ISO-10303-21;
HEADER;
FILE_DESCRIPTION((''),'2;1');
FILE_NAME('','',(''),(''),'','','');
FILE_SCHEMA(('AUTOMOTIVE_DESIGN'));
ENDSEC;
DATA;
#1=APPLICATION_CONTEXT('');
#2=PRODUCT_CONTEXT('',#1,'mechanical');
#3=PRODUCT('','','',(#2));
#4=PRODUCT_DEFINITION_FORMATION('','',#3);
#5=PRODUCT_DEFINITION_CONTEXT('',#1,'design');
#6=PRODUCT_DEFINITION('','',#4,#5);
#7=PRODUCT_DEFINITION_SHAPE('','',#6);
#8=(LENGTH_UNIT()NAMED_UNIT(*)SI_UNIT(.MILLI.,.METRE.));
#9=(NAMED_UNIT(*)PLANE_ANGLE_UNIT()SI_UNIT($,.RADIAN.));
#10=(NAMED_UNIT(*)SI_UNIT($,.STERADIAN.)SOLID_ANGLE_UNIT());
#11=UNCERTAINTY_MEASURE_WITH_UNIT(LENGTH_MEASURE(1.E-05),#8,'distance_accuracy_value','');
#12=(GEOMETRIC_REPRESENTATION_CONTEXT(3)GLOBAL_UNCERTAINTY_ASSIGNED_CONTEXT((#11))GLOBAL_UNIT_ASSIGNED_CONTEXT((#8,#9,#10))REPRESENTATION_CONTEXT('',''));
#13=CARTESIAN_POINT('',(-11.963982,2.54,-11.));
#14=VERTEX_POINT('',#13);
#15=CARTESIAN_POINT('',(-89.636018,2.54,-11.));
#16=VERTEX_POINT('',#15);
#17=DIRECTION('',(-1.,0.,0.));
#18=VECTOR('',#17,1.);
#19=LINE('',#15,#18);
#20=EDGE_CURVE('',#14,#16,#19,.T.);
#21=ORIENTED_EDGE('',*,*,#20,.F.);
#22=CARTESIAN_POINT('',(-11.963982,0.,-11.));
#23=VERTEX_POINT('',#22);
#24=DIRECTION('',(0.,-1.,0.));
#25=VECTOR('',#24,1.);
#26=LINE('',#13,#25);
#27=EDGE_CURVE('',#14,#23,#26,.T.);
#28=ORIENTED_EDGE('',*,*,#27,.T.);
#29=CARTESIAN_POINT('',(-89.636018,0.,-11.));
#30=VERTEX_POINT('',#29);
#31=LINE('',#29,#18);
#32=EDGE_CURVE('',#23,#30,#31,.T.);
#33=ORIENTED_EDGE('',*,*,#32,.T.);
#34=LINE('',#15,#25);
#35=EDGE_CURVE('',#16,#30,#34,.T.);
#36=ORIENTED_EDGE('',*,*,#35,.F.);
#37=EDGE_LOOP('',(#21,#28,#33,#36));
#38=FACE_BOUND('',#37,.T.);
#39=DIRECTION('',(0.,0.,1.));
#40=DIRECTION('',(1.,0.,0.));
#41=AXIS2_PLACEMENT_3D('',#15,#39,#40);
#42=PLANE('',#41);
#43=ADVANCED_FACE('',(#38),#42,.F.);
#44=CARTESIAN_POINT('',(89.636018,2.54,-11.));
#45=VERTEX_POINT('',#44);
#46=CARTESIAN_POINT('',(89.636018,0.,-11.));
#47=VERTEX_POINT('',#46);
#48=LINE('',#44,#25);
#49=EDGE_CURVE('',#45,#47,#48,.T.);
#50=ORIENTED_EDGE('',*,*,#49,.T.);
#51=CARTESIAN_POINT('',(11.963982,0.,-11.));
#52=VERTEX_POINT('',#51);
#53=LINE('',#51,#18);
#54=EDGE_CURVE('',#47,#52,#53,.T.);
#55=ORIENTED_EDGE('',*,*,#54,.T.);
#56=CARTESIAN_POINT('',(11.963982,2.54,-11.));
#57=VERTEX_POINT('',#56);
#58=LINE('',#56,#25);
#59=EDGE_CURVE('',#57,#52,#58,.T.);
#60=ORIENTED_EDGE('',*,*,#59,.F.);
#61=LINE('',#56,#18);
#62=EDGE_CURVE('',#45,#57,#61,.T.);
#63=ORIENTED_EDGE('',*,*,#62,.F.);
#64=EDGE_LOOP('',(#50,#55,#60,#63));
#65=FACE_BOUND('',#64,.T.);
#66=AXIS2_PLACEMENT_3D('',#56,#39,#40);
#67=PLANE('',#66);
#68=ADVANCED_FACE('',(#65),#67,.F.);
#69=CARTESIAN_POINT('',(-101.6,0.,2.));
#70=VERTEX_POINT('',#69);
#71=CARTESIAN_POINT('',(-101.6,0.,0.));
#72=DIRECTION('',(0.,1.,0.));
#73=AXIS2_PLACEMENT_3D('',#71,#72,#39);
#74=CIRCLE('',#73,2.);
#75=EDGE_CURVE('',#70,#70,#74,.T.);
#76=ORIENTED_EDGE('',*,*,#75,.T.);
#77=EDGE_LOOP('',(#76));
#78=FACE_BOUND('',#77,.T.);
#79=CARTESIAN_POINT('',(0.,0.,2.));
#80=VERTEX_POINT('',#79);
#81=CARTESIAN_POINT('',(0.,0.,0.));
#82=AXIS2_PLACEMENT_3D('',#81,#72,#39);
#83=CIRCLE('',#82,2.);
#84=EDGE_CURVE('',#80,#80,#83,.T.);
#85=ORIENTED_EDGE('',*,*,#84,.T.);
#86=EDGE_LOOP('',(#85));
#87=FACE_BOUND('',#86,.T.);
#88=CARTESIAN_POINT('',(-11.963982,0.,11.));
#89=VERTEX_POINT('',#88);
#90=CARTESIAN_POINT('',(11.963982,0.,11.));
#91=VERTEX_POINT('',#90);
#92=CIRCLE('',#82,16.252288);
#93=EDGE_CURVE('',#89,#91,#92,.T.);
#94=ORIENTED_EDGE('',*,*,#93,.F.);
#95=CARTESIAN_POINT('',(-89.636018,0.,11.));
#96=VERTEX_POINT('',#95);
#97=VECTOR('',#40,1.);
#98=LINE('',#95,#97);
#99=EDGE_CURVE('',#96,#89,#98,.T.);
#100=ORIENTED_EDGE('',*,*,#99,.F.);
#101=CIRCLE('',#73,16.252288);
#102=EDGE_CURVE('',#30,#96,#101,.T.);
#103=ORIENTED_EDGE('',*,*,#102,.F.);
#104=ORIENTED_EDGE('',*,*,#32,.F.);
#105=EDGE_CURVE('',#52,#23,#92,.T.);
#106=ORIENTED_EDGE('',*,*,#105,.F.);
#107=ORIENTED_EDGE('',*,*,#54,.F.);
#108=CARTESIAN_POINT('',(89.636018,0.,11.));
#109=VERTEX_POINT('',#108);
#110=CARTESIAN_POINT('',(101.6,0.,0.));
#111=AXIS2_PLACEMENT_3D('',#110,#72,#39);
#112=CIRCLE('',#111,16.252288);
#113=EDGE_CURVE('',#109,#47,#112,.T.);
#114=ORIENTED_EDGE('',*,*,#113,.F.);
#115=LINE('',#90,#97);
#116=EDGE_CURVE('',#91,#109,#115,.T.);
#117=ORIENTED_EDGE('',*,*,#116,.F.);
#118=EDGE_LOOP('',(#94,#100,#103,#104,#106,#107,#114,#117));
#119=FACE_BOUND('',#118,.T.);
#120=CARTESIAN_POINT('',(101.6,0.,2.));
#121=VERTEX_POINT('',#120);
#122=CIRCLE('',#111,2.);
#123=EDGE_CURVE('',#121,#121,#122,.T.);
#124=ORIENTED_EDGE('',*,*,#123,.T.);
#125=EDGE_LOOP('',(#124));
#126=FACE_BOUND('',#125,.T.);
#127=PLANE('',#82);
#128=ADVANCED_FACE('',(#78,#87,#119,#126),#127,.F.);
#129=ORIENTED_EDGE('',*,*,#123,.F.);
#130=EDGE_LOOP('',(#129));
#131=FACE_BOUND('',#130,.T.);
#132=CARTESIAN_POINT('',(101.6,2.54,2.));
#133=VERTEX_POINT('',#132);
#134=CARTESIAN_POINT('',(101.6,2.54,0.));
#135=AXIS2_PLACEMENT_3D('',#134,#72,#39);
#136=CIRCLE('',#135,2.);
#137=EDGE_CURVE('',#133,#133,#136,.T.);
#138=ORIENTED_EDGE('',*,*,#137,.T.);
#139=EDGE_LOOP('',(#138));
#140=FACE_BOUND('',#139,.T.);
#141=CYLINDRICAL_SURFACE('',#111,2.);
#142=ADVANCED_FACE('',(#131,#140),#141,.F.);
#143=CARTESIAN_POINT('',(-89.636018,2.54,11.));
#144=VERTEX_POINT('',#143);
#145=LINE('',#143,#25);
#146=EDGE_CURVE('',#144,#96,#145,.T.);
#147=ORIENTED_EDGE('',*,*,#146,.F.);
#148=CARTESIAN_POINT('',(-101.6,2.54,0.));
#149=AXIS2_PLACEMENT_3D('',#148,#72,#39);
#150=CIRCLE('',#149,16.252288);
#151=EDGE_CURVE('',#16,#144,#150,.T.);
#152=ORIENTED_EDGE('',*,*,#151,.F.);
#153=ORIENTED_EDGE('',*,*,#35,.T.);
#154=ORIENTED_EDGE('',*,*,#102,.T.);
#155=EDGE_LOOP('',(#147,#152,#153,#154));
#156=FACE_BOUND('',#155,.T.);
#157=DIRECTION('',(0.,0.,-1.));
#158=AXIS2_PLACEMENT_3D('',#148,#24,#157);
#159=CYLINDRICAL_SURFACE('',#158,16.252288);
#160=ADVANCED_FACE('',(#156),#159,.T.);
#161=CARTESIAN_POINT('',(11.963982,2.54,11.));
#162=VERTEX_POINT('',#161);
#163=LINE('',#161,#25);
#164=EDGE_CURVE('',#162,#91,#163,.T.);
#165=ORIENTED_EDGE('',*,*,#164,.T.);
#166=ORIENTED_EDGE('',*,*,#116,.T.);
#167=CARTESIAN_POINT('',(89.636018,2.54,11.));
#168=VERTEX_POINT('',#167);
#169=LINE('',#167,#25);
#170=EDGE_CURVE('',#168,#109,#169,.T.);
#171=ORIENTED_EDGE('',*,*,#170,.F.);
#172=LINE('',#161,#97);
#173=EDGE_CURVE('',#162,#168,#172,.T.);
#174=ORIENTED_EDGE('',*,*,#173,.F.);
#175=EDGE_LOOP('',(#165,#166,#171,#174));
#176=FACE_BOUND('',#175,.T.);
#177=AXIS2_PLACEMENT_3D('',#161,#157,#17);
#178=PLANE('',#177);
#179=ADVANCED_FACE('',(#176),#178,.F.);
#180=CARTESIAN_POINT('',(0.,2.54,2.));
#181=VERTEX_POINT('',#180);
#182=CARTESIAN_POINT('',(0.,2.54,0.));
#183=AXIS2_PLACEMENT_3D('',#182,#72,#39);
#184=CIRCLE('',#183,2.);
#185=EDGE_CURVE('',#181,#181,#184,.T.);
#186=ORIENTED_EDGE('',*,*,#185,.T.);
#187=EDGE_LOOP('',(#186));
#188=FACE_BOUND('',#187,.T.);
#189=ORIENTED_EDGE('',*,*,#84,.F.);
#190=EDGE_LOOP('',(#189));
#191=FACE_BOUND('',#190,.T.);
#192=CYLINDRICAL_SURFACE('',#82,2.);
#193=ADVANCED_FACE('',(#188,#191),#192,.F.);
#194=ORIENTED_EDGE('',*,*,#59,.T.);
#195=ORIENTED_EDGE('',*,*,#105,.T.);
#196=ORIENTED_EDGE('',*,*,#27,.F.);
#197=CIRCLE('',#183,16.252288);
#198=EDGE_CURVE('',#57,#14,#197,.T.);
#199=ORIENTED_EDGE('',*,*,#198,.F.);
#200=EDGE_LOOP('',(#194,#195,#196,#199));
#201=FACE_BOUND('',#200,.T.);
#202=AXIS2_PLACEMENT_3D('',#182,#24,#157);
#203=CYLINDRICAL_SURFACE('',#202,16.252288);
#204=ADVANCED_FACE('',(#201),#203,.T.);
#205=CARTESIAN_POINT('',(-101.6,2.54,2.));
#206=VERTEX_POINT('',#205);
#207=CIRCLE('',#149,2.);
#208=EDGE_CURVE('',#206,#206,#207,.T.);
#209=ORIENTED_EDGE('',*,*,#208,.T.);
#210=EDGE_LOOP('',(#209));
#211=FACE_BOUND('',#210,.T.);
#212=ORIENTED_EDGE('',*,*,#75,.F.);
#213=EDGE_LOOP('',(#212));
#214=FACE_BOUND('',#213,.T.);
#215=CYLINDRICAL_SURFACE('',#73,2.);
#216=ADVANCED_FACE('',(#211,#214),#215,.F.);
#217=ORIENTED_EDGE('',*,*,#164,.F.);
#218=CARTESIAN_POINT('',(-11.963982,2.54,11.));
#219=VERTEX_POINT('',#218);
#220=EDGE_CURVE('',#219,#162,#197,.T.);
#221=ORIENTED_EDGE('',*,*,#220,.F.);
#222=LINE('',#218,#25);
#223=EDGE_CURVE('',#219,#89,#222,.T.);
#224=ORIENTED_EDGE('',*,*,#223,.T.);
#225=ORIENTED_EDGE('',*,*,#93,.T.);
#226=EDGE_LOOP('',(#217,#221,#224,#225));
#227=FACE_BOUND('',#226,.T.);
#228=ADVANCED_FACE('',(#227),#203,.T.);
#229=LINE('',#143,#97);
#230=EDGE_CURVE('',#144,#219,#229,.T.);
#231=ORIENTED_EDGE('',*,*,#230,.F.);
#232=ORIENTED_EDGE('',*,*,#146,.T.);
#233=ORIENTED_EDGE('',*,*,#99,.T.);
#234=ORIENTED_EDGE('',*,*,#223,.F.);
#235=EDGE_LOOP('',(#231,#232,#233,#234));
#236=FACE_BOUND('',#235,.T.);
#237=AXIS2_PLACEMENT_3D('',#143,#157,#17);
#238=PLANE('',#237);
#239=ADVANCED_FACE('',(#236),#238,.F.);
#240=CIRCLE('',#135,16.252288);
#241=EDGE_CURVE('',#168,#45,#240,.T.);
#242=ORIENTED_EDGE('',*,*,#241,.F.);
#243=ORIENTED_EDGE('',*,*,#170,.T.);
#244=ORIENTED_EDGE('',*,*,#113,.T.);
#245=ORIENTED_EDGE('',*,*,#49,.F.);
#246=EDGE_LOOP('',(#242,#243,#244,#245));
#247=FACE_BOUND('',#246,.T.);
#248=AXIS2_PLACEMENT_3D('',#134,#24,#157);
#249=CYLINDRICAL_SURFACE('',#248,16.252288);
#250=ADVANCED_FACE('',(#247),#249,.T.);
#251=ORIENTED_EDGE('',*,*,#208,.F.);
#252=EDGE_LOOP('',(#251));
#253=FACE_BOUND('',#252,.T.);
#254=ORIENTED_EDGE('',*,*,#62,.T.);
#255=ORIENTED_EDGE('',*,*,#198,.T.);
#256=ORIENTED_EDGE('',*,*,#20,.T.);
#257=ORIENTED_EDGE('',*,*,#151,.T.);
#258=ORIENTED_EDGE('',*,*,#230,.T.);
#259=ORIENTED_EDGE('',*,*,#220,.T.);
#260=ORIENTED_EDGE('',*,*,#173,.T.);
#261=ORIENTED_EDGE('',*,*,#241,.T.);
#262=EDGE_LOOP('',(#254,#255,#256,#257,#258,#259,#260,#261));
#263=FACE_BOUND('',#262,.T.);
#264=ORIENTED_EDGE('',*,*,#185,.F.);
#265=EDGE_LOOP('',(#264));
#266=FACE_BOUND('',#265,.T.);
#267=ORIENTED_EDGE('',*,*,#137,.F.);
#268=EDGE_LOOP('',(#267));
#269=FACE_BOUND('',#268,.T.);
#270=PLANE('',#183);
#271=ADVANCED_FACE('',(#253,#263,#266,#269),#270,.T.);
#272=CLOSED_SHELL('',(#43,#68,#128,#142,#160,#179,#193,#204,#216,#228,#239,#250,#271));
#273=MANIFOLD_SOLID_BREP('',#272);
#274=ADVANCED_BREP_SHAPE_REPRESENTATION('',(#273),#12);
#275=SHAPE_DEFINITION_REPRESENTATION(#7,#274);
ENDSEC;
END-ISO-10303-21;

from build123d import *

# Parameters (mm, degrees)
BOSS_EXTRUDE1_DEPTH     = 2.54
SKETCH2_R               = 2
CUT_EXTRUDE1_DEPTH      = 1
CUT_EXTRUDE1_DEPTH_BACK = 3.54


with BuildPart() as part:
    # Sketch1 → Boss-Extrude1 (new body)
    with BuildSketch(Plane(origin=(0, 0, 0), x_dir=(1, 0, 0), z_dir=(0, 1, 0))):
        with BuildLine():
            Line((-89.636017598, 11), (-11.963982402, 11))
            ThreePointArc((-11.963982402, 11), (0, 16.252288298), (11.963982402, 11))
            Line((11.963982402, 11), (89.636017598, 11))
            ThreePointArc((89.636017598, 11), (117.852288298, 0), (89.636017598, -11))
            Line((89.636017598, -11), (11.963982402, -11))
            ThreePointArc((11.963982402, -11), (0, -16.252288298), (-11.963982402, -11))
            Line((-11.963982402, -11), (-89.636017598, -11))
            ThreePointArc((-89.636017598, -11), (-117.852288298, 0), (-89.636017598, 11))
        make_face()
    extrude(amount=BOSS_EXTRUDE1_DEPTH)

    # Sketch2 → Cut-Extrude1 (cut, two sides)
    with BuildSketch(Plane(origin=(0, 2.54, 0), x_dir=(1, 0, 0), z_dir=(0, 1, 0))) as cut_extrude1_sk:
        with Locations((-101.6, 0)):
            Circle(SKETCH2_R)
        with Locations((101.6, 0)):
            Circle(SKETCH2_R)
        Circle(SKETCH2_R)
    extrude(amount=CUT_EXTRUDE1_DEPTH, mode=Mode.SUBTRACT)
    extrude(cut_extrude1_sk.sketch, amount=-CUT_EXTRUDE1_DEPTH_BACK, mode=Mode.SUBTRACT)


solid = part.part
